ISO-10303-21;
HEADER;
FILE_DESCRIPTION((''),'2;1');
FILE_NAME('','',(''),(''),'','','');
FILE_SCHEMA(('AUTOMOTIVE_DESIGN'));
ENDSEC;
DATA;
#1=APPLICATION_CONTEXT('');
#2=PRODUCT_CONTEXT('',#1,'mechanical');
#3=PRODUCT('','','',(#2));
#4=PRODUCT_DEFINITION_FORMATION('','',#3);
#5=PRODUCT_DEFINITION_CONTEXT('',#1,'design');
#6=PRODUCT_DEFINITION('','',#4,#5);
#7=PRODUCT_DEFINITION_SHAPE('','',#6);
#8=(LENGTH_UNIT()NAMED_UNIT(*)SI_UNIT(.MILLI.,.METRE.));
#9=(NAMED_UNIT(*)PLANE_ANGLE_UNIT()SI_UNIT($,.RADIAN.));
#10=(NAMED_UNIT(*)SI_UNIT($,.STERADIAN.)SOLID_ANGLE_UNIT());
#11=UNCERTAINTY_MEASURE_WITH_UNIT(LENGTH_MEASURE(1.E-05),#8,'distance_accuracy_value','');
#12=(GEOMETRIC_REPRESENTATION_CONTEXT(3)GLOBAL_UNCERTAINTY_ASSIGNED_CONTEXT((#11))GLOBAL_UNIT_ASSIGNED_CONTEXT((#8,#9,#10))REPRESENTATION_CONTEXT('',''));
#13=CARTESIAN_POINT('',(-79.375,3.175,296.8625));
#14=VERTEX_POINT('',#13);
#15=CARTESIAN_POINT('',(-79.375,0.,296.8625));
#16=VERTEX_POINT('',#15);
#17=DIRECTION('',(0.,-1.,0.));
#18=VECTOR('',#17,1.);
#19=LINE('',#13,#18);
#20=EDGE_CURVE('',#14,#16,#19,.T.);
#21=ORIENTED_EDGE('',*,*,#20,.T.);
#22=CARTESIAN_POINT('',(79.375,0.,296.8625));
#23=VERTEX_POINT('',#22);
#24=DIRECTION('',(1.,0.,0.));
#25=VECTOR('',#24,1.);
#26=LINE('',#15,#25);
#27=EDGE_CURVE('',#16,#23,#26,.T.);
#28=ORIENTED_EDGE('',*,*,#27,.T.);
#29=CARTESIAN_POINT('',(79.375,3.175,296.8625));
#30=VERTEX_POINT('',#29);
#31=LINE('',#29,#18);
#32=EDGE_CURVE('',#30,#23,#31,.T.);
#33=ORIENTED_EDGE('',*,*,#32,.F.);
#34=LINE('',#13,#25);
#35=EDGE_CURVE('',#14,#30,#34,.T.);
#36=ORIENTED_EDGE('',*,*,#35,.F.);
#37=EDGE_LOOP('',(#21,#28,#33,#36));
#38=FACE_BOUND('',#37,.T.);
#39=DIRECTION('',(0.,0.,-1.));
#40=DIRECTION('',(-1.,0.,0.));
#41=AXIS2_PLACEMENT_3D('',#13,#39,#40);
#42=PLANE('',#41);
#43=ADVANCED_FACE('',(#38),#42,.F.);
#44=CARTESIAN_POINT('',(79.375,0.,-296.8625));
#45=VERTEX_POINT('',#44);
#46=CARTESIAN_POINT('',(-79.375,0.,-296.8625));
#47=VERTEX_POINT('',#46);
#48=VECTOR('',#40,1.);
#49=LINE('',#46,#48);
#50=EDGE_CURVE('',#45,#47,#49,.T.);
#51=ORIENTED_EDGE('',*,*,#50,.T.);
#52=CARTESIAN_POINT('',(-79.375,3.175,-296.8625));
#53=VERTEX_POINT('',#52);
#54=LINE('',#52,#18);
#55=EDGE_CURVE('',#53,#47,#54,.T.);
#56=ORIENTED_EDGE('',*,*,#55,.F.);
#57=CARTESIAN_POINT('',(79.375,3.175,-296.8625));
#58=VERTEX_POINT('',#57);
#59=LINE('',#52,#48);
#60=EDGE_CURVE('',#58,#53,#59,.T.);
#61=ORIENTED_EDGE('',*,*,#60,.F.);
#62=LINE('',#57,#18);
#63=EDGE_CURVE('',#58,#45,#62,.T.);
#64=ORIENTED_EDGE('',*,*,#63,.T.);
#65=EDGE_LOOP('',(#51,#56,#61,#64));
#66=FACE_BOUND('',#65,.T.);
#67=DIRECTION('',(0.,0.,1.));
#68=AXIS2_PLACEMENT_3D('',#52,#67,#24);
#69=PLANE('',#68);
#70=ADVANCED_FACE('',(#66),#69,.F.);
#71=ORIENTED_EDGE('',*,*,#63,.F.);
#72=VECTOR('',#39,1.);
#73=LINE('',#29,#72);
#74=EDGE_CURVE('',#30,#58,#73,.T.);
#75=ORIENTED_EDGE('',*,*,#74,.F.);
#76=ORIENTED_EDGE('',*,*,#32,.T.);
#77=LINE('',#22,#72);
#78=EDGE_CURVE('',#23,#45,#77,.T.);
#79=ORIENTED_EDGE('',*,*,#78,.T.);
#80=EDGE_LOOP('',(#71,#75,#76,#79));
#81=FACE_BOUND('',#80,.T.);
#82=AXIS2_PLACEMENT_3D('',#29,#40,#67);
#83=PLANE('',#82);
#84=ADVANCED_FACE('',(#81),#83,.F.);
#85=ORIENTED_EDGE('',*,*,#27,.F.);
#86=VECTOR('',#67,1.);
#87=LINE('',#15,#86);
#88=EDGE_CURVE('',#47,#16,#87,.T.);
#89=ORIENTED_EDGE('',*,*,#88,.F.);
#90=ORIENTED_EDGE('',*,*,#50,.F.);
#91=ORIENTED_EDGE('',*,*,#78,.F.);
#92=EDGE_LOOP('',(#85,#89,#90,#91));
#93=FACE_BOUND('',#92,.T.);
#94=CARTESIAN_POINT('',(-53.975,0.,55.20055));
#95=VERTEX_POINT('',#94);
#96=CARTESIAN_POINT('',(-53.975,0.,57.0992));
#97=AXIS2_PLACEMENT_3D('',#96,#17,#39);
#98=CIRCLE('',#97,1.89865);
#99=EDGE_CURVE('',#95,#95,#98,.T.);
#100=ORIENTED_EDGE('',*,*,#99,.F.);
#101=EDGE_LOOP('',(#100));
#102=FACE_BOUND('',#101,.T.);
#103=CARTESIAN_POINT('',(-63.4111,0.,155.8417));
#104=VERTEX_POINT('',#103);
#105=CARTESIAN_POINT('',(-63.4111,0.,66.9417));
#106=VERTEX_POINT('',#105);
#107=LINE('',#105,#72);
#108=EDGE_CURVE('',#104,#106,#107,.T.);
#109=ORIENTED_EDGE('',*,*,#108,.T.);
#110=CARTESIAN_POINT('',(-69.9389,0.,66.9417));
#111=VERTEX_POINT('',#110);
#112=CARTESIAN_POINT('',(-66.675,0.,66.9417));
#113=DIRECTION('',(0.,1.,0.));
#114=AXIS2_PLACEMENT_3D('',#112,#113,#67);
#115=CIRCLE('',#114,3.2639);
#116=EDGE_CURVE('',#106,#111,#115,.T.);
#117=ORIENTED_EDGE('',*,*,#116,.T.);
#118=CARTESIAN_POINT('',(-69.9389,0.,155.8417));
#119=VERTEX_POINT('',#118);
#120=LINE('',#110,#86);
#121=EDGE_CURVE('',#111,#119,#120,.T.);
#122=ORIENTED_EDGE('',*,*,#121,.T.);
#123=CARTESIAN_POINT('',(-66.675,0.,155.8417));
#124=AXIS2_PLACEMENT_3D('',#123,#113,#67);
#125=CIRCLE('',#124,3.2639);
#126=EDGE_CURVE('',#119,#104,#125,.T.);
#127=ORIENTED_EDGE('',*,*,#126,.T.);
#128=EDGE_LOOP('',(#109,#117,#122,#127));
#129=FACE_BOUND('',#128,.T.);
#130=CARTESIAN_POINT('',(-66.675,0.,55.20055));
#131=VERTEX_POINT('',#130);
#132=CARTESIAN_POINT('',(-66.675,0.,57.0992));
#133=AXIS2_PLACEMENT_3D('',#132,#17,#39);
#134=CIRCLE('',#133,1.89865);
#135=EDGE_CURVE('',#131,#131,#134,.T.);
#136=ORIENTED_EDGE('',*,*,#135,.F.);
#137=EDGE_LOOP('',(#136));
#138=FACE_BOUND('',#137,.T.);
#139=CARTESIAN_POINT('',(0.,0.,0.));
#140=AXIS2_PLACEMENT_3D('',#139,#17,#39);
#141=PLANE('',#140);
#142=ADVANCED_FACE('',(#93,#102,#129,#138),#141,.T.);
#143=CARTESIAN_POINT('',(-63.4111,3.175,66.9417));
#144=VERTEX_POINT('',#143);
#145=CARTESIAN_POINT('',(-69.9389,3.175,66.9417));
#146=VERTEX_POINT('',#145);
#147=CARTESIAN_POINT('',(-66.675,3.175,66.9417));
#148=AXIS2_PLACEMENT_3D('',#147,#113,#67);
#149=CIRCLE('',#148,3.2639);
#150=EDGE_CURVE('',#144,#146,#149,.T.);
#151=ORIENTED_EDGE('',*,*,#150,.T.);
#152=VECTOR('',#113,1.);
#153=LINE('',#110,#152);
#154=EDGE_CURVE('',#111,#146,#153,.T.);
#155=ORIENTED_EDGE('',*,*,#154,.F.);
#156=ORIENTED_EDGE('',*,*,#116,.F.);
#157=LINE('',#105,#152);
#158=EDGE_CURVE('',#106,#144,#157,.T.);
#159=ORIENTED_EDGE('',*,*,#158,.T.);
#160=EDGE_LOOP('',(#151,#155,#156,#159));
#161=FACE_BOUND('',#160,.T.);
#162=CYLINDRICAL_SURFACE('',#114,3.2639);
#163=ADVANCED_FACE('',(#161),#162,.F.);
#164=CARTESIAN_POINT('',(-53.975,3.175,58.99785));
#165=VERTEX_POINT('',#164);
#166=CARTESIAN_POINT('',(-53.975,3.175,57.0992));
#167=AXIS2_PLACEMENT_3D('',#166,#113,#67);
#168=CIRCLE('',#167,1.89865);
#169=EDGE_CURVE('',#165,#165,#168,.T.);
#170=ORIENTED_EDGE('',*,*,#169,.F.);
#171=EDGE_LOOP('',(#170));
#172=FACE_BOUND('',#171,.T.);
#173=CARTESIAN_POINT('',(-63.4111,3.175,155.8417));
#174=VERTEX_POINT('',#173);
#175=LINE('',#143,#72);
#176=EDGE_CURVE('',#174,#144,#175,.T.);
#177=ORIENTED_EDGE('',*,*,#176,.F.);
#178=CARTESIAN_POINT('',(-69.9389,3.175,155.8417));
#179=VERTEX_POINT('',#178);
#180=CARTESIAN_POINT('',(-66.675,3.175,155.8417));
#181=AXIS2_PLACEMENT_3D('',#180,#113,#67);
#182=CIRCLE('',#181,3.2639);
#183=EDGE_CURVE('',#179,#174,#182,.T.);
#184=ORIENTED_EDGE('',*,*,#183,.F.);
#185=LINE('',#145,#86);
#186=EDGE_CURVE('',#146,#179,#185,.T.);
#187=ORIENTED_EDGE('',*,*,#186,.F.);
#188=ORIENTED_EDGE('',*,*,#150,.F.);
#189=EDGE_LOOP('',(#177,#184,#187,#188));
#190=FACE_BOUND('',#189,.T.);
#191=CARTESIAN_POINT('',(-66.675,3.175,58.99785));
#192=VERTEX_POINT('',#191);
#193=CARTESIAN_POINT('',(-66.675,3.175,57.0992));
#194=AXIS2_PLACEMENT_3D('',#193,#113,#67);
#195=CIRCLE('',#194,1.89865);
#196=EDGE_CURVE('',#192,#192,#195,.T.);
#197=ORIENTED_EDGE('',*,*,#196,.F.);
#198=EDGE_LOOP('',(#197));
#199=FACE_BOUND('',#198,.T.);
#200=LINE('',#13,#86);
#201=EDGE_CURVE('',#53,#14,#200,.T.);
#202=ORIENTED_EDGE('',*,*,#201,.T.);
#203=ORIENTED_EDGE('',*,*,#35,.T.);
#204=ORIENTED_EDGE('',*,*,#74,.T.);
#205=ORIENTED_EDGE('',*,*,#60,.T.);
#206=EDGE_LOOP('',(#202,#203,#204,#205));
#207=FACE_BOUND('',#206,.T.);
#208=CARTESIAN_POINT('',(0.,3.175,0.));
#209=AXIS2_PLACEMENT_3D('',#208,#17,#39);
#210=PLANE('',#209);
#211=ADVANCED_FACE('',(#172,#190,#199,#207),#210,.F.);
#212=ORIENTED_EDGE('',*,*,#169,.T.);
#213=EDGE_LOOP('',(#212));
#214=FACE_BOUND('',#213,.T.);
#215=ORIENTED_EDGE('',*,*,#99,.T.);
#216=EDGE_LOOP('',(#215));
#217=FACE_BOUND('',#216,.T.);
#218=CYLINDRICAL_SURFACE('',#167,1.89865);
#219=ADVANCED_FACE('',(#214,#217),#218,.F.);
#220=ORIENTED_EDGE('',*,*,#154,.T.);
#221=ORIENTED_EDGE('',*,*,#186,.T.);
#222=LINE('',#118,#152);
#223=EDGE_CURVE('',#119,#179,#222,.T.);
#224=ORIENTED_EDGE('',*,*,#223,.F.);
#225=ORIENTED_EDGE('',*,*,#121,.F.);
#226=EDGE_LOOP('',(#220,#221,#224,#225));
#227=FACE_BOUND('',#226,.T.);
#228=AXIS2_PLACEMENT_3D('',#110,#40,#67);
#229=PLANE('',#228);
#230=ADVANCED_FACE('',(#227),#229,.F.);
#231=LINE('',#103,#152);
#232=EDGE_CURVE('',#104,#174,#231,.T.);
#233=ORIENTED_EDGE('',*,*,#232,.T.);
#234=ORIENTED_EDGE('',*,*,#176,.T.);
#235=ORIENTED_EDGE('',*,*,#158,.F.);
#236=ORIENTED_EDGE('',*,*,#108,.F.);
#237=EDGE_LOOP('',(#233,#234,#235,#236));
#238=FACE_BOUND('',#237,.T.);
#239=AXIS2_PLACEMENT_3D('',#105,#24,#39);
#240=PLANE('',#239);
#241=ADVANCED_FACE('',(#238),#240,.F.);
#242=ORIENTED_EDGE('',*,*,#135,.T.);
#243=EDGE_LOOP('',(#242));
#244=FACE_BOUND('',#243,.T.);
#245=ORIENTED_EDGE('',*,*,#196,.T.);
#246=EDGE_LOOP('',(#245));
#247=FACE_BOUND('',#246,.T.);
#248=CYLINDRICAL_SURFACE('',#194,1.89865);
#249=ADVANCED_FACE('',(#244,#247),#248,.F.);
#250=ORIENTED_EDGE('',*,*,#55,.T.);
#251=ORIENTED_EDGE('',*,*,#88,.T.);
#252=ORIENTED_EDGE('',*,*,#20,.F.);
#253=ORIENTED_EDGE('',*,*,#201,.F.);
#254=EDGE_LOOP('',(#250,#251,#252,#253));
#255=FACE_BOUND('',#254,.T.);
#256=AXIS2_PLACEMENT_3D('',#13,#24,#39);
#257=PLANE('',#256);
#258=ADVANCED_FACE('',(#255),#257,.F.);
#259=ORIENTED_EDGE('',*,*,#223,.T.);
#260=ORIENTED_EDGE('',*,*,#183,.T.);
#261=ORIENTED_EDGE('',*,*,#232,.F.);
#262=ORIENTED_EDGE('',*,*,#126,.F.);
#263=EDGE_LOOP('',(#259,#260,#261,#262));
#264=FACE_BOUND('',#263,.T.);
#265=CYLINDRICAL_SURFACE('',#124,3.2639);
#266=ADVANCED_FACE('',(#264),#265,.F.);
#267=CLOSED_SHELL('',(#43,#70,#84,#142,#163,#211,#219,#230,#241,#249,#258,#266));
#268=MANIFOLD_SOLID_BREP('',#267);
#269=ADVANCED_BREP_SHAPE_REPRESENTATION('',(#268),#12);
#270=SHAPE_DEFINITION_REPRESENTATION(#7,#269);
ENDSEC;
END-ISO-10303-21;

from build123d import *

# Parameters (mm, degrees)
SKETCH1_W                 = 158.75
SKETCH1_H                 = 593.725
BOSS_EXTRUDE1_DEPTH       = 3.175
F_6_CLEARANCE_HOLE1_D     = 3.7973
F_6_CLEARANCE_HOLE1_DEPTH = 12.7
F_6_CLEARANCE_HOLE1_TIP   = 1.140824014
CUT_EXTRUDE3_DEPTH        = 308.307362678


with BuildPart() as part:
    # Sketch1 → Boss-Extrude1 (new body)
    with BuildSketch(Plane(origin=(0, 0, 0), x_dir=(1, 0, 0), z_dir=(0, 1, 0))):
        Rectangle(SKETCH1_W, SKETCH1_H)
    extrude(amount=BOSS_EXTRUDE1_DEPTH)

    # #6 Clearance Hole1
    with Locations(Plane(origin=(0, 3.175, 0), x_dir=(1, 0, 0), z_dir=(0, 1, 0))):
        with Locations((-66.675, -57.099200009), (-53.975, -57.099200009)):
            Hole(F_6_CLEARANCE_HOLE1_D / 2, depth=F_6_CLEARANCE_HOLE1_DEPTH)
            with Locations((0, 0, -(F_6_CLEARANCE_HOLE1_DEPTH + F_6_CLEARANCE_HOLE1_TIP / 2))):  # 118° drill point
                Cone(0, F_6_CLEARANCE_HOLE1_D / 2, F_6_CLEARANCE_HOLE1_TIP, mode=Mode.SUBTRACT)

    # Sketch15 → Cut-Extrude3 (cut, through all)
    with BuildSketch(Plane(origin=(0, 3.175, 0), x_dir=(1, 0, 0), z_dir=(0, 1, 0))):
        with BuildLine():
            Line((-63.4111, -66.941700009), (-63.4111, -155.841700009))
            ThreePointArc((-63.4111, -155.841700009), (-66.675, -159.105600009), (-69.9389, -155.841700009))
            Line((-69.9389, -155.841700009), (-69.9389, -66.941700009))
            ThreePointArc((-69.9389, -66.941700009), (-66.675, -63.677800009), (-63.4111, -66.941700009))
        make_face()
    extrude(amount=-CUT_EXTRUDE3_DEPTH, mode=Mode.SUBTRACT)


solid = part.part
